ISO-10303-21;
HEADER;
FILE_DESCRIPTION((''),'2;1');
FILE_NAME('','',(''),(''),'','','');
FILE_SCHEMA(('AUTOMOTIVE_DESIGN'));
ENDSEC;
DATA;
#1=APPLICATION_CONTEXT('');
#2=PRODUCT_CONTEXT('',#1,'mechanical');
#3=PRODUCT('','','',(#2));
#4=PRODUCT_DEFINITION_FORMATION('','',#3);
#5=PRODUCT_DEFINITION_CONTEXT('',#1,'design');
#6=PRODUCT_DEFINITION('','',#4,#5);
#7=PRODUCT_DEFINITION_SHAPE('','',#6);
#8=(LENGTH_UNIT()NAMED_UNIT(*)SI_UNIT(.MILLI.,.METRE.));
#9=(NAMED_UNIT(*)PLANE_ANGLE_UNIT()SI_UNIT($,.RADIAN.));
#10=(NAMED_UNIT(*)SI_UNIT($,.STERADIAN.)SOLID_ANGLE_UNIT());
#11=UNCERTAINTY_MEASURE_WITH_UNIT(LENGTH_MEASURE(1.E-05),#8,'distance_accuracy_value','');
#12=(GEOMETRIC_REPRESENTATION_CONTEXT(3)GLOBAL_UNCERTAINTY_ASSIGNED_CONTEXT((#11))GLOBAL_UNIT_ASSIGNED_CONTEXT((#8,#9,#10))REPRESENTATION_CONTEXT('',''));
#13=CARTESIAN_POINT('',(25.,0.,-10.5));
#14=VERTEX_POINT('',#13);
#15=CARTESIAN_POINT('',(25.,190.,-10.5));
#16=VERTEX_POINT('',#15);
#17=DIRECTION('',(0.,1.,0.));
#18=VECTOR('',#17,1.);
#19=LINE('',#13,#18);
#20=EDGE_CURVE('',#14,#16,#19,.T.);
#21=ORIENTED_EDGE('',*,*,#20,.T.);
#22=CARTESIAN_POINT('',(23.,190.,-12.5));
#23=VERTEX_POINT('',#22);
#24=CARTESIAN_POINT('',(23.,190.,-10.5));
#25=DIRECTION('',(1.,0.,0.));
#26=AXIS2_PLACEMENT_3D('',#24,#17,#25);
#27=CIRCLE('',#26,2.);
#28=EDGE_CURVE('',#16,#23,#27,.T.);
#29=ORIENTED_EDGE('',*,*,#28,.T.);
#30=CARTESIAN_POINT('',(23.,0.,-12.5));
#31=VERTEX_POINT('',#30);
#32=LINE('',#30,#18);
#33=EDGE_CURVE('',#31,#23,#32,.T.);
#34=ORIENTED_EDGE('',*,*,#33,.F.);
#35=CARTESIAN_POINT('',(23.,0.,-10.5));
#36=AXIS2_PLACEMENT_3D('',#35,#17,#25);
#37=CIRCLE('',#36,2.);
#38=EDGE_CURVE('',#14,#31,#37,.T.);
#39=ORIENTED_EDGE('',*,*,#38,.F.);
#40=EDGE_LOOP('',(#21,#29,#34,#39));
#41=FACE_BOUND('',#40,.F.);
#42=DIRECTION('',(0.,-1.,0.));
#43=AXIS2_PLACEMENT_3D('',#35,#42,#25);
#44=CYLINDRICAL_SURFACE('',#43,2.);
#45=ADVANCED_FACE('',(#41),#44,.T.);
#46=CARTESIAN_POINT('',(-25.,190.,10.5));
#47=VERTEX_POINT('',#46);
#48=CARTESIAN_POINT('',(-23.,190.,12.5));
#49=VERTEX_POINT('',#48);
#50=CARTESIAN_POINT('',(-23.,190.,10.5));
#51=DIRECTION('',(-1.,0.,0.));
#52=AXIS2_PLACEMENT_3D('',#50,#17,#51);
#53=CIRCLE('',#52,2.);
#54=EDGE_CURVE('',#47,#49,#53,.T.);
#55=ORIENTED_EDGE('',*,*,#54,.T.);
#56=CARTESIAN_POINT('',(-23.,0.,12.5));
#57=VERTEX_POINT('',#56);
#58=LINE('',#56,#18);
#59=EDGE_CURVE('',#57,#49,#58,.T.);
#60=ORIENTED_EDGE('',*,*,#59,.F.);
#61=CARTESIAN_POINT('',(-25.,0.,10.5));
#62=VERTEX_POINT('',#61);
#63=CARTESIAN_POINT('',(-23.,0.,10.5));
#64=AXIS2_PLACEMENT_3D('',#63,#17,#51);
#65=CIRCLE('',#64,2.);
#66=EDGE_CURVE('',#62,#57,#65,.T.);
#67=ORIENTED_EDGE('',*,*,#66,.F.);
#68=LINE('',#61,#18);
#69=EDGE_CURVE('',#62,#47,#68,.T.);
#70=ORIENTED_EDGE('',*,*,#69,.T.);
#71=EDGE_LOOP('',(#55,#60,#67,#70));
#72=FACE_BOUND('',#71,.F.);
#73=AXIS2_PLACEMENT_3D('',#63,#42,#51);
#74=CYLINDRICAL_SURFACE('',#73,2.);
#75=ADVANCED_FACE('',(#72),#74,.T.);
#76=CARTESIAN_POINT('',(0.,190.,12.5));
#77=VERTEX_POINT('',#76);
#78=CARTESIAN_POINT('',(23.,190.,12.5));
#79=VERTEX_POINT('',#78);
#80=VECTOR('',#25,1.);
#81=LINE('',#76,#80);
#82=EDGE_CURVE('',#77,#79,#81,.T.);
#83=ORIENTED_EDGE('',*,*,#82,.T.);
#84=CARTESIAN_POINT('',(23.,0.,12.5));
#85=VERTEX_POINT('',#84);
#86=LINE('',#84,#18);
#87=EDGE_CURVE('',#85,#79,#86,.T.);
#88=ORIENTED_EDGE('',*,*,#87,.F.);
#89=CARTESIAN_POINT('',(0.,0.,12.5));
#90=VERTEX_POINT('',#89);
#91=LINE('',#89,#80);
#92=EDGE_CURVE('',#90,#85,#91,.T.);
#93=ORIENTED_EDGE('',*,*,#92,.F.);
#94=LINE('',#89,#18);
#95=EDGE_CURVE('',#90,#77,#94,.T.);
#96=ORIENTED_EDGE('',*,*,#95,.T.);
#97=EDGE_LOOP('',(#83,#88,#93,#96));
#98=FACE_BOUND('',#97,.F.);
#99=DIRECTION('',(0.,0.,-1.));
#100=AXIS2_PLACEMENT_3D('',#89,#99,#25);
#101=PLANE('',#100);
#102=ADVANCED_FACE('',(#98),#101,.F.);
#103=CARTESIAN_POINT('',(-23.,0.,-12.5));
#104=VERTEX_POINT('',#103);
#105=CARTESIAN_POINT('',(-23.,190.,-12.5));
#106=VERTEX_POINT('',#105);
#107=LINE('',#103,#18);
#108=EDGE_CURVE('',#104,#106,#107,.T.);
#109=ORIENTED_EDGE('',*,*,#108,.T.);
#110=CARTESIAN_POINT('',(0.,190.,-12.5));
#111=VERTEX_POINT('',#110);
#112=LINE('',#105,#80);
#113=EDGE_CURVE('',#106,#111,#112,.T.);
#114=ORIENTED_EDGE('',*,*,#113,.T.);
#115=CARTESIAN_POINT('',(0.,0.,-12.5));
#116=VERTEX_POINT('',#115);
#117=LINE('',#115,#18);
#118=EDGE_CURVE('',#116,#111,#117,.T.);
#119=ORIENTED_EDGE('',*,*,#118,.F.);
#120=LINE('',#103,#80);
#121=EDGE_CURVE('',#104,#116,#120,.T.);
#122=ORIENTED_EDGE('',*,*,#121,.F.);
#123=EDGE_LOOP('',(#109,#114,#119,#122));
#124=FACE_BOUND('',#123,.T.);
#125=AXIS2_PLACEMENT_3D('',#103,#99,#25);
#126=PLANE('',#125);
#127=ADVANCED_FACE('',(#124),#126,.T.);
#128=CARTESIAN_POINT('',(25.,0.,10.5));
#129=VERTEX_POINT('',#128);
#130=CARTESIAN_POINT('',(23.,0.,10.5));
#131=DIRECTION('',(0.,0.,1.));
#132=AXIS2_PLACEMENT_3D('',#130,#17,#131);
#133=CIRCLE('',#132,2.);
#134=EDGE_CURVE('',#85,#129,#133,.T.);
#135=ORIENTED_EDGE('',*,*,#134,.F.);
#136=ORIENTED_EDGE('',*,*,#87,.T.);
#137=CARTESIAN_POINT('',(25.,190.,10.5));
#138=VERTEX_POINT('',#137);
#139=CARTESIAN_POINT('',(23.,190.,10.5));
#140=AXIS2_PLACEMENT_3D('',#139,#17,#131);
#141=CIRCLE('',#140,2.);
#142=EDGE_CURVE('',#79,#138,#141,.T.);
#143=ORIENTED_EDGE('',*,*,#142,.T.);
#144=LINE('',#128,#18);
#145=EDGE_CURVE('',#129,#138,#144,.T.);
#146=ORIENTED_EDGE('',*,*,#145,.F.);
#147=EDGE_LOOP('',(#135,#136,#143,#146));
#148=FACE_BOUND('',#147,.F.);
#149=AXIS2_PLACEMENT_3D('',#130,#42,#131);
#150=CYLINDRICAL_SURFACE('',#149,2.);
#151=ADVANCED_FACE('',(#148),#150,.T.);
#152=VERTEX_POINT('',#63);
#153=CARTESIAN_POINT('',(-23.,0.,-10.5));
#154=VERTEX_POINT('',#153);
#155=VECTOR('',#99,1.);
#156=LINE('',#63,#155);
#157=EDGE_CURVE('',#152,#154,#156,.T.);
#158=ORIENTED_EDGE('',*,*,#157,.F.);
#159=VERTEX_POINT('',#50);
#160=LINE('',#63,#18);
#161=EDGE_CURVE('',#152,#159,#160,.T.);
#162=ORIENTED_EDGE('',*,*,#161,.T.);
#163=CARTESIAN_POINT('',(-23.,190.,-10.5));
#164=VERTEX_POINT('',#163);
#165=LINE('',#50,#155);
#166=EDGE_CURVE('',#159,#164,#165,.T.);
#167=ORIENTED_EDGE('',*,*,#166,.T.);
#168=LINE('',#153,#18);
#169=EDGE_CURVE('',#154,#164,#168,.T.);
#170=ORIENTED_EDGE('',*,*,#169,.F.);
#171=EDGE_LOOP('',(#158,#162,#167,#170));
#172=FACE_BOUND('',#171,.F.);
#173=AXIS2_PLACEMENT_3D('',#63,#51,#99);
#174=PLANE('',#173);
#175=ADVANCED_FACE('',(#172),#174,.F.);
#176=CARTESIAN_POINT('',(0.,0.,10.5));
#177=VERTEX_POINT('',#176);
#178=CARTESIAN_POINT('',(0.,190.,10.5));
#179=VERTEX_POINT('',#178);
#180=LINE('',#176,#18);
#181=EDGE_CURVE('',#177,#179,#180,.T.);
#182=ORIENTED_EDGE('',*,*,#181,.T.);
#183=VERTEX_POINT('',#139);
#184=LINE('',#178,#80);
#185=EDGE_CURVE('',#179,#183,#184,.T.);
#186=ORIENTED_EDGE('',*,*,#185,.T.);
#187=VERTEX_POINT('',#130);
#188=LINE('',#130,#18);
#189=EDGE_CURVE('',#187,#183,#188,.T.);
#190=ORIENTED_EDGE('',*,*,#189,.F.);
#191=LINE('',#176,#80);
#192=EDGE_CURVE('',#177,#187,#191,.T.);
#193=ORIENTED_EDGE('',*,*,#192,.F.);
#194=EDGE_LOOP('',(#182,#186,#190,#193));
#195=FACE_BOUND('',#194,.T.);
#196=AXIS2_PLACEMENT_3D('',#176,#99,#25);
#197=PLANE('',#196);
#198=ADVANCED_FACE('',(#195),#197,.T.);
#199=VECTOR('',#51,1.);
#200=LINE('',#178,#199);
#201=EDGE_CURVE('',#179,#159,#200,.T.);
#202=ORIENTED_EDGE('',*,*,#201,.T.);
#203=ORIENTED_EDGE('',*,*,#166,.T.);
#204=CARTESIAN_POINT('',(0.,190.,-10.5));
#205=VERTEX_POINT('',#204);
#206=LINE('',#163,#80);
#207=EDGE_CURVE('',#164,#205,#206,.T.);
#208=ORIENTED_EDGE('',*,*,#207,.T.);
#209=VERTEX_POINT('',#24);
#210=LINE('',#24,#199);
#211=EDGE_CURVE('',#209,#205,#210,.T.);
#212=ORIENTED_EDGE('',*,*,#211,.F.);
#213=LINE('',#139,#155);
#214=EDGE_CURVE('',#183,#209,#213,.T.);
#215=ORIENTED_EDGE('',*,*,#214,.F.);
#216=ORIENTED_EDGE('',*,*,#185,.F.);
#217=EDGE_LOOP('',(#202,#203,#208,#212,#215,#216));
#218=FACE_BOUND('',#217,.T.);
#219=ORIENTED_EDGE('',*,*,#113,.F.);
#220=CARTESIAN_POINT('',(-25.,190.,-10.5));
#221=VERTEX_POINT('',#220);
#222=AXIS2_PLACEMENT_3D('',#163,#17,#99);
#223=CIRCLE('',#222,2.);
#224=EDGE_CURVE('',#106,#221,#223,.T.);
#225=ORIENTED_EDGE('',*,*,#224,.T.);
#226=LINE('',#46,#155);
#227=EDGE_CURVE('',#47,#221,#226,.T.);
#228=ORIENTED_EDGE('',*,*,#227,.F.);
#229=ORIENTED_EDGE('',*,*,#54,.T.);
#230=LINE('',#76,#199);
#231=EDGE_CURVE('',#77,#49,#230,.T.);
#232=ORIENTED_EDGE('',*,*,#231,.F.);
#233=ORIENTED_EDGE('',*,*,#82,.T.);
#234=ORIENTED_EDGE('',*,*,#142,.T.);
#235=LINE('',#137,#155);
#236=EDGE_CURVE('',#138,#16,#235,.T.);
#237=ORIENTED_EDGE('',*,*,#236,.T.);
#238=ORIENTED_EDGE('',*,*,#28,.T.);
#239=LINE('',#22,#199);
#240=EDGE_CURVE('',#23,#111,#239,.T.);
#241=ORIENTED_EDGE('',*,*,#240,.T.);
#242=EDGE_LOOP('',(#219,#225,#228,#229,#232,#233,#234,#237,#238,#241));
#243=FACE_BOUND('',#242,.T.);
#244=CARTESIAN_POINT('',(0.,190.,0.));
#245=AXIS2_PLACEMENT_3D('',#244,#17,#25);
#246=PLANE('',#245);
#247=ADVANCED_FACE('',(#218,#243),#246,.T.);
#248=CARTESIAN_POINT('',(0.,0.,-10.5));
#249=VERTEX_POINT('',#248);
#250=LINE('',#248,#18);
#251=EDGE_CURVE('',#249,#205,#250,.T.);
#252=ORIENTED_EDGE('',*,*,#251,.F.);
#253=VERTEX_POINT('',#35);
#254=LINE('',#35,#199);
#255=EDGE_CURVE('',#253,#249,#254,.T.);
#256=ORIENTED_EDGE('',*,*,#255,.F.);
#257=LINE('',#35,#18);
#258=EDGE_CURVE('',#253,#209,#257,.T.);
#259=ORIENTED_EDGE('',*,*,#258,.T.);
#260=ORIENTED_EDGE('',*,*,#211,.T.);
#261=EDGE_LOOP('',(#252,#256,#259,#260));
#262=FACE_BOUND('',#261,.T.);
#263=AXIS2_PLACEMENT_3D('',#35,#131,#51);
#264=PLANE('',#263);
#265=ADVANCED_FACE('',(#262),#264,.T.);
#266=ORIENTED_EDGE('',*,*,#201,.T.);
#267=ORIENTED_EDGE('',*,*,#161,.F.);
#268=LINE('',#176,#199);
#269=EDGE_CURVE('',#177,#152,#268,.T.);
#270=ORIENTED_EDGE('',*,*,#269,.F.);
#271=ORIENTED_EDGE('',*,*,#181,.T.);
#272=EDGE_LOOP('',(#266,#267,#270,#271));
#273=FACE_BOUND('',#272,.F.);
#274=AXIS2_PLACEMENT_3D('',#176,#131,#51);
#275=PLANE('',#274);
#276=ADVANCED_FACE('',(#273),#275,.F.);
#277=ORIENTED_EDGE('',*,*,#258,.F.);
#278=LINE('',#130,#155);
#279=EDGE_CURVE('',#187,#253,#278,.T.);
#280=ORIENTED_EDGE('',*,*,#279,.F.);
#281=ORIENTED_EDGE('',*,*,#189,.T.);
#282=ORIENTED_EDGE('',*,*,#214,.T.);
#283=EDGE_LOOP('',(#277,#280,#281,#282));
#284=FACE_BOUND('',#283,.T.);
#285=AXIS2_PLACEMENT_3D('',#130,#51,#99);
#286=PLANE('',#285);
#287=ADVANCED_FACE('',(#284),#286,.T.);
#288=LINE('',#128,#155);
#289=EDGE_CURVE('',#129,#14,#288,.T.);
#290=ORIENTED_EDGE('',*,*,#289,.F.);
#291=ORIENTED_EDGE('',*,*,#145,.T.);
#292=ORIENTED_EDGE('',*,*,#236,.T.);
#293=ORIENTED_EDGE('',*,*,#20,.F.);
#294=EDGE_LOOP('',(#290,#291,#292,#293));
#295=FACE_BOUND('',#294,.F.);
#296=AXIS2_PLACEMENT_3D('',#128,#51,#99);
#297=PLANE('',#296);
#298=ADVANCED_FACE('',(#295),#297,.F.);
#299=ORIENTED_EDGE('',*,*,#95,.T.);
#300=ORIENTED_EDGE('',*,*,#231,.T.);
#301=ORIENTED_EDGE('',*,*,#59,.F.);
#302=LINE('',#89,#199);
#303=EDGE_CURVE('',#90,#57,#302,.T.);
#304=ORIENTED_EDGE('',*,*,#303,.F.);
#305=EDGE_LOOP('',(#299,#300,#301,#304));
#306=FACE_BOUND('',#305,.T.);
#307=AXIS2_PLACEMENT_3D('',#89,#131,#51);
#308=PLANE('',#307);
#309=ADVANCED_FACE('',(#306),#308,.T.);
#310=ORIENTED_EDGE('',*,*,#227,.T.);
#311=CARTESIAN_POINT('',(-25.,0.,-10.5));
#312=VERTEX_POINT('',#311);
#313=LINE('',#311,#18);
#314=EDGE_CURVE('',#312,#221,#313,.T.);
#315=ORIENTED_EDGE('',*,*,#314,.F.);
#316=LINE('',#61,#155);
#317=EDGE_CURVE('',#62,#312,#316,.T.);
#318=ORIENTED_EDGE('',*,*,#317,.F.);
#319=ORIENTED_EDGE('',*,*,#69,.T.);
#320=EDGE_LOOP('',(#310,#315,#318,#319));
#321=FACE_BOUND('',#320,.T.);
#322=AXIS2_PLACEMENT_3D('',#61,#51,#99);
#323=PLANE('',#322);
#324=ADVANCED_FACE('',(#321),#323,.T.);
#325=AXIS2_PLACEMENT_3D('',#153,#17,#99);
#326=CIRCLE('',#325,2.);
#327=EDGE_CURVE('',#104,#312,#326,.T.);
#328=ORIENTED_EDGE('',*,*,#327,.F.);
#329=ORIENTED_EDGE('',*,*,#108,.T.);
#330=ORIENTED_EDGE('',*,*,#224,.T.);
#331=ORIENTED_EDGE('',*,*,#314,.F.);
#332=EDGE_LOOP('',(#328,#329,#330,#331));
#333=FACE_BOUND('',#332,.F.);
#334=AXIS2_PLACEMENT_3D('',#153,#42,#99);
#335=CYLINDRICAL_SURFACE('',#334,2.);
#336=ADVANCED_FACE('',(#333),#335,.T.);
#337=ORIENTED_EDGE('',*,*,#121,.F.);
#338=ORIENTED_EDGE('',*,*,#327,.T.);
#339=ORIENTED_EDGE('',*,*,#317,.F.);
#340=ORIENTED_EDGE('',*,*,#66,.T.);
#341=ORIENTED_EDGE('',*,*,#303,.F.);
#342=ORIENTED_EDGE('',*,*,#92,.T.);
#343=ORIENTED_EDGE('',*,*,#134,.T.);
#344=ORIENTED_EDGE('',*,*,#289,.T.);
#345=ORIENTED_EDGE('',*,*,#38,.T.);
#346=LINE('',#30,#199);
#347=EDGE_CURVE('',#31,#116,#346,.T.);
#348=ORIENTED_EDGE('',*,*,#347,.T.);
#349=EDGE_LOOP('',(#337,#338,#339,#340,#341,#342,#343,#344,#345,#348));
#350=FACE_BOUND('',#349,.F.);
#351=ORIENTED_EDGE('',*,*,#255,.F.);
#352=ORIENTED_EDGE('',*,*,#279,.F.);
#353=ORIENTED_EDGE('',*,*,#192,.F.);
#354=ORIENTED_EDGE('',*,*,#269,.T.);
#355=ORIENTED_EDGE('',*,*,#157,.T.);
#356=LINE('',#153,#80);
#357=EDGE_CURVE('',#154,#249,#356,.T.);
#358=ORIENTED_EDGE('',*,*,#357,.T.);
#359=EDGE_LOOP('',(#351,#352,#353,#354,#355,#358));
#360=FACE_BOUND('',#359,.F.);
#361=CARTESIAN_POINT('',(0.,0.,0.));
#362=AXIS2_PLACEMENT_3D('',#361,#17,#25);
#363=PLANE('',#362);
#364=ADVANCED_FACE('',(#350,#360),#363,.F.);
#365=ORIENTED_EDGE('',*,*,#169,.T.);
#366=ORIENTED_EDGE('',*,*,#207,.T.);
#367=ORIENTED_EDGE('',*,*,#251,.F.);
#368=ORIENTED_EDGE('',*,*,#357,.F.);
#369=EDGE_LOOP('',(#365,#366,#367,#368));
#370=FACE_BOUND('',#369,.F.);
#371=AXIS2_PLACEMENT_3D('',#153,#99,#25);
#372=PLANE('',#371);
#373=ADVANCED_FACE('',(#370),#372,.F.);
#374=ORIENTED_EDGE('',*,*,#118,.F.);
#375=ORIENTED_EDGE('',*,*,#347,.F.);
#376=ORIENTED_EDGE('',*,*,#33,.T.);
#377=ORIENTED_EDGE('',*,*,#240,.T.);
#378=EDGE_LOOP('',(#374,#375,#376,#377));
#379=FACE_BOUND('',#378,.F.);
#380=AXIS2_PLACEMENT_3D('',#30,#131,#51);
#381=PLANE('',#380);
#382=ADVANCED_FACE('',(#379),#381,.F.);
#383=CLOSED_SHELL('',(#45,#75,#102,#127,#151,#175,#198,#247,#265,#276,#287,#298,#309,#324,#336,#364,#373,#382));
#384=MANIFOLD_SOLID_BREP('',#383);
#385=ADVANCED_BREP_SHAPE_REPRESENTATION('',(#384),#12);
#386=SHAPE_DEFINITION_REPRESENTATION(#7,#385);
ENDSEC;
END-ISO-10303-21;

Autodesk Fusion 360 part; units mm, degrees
sketch "Sketch1" plane through (0, 0, 0) normal (0, 1, 0) x (1, 0, 0)
  line L0 (0, -12.5) -> (23, -12.5)
  line L1 (25, -10.5) -> (25, 10.5)
  line L2 (23, 12.5) -> (0, 12.5)
  line L3 (0, -12.5) -> (-23, -12.5)
  line L4 (-25, -10.5) -> (-25, 10.5)
  line L5 (-23, 12.5) -> (0, 12.5)
  arc A0 (-25, -10.5) -> (-23, -12.5) centre (-23, -10.5) ccw
  arc A1 (23, -12.5) -> (25, -10.5) centre (23, -10.5) ccw
  arc A2 (-23, 12.5) -> (-25, 10.5) centre (-23, 10.5) ccw
  line L6 (-23, 10.5) -> (0, 10.5)
  line L7 (23, 10.5) -> (0, 10.5)
  line L8 (23, -10.5) -> (23, 10.5)
  line L9 (0, -10.5) -> (23, -10.5)
  line L10 (0, -10.5) -> (-23, -10.5)
  line L11 (-23, -10.5) -> (-23, 10.5)
  arc A3 (25, 10.5) -> (23, 12.5) centre (23, 10.5) ccw
  point P0 (25, -12.5)
  dimension "d1" = 12.5
  dimension "d2" = 25
  dimension "d3" = 25
  dimension "d4" = 2
  dimension "d5" = 2
  dimension "d6" = 2
  dimension "d7" = 2
extrude "Extrude2" add sketch "Sketch1" along normal blind 190
